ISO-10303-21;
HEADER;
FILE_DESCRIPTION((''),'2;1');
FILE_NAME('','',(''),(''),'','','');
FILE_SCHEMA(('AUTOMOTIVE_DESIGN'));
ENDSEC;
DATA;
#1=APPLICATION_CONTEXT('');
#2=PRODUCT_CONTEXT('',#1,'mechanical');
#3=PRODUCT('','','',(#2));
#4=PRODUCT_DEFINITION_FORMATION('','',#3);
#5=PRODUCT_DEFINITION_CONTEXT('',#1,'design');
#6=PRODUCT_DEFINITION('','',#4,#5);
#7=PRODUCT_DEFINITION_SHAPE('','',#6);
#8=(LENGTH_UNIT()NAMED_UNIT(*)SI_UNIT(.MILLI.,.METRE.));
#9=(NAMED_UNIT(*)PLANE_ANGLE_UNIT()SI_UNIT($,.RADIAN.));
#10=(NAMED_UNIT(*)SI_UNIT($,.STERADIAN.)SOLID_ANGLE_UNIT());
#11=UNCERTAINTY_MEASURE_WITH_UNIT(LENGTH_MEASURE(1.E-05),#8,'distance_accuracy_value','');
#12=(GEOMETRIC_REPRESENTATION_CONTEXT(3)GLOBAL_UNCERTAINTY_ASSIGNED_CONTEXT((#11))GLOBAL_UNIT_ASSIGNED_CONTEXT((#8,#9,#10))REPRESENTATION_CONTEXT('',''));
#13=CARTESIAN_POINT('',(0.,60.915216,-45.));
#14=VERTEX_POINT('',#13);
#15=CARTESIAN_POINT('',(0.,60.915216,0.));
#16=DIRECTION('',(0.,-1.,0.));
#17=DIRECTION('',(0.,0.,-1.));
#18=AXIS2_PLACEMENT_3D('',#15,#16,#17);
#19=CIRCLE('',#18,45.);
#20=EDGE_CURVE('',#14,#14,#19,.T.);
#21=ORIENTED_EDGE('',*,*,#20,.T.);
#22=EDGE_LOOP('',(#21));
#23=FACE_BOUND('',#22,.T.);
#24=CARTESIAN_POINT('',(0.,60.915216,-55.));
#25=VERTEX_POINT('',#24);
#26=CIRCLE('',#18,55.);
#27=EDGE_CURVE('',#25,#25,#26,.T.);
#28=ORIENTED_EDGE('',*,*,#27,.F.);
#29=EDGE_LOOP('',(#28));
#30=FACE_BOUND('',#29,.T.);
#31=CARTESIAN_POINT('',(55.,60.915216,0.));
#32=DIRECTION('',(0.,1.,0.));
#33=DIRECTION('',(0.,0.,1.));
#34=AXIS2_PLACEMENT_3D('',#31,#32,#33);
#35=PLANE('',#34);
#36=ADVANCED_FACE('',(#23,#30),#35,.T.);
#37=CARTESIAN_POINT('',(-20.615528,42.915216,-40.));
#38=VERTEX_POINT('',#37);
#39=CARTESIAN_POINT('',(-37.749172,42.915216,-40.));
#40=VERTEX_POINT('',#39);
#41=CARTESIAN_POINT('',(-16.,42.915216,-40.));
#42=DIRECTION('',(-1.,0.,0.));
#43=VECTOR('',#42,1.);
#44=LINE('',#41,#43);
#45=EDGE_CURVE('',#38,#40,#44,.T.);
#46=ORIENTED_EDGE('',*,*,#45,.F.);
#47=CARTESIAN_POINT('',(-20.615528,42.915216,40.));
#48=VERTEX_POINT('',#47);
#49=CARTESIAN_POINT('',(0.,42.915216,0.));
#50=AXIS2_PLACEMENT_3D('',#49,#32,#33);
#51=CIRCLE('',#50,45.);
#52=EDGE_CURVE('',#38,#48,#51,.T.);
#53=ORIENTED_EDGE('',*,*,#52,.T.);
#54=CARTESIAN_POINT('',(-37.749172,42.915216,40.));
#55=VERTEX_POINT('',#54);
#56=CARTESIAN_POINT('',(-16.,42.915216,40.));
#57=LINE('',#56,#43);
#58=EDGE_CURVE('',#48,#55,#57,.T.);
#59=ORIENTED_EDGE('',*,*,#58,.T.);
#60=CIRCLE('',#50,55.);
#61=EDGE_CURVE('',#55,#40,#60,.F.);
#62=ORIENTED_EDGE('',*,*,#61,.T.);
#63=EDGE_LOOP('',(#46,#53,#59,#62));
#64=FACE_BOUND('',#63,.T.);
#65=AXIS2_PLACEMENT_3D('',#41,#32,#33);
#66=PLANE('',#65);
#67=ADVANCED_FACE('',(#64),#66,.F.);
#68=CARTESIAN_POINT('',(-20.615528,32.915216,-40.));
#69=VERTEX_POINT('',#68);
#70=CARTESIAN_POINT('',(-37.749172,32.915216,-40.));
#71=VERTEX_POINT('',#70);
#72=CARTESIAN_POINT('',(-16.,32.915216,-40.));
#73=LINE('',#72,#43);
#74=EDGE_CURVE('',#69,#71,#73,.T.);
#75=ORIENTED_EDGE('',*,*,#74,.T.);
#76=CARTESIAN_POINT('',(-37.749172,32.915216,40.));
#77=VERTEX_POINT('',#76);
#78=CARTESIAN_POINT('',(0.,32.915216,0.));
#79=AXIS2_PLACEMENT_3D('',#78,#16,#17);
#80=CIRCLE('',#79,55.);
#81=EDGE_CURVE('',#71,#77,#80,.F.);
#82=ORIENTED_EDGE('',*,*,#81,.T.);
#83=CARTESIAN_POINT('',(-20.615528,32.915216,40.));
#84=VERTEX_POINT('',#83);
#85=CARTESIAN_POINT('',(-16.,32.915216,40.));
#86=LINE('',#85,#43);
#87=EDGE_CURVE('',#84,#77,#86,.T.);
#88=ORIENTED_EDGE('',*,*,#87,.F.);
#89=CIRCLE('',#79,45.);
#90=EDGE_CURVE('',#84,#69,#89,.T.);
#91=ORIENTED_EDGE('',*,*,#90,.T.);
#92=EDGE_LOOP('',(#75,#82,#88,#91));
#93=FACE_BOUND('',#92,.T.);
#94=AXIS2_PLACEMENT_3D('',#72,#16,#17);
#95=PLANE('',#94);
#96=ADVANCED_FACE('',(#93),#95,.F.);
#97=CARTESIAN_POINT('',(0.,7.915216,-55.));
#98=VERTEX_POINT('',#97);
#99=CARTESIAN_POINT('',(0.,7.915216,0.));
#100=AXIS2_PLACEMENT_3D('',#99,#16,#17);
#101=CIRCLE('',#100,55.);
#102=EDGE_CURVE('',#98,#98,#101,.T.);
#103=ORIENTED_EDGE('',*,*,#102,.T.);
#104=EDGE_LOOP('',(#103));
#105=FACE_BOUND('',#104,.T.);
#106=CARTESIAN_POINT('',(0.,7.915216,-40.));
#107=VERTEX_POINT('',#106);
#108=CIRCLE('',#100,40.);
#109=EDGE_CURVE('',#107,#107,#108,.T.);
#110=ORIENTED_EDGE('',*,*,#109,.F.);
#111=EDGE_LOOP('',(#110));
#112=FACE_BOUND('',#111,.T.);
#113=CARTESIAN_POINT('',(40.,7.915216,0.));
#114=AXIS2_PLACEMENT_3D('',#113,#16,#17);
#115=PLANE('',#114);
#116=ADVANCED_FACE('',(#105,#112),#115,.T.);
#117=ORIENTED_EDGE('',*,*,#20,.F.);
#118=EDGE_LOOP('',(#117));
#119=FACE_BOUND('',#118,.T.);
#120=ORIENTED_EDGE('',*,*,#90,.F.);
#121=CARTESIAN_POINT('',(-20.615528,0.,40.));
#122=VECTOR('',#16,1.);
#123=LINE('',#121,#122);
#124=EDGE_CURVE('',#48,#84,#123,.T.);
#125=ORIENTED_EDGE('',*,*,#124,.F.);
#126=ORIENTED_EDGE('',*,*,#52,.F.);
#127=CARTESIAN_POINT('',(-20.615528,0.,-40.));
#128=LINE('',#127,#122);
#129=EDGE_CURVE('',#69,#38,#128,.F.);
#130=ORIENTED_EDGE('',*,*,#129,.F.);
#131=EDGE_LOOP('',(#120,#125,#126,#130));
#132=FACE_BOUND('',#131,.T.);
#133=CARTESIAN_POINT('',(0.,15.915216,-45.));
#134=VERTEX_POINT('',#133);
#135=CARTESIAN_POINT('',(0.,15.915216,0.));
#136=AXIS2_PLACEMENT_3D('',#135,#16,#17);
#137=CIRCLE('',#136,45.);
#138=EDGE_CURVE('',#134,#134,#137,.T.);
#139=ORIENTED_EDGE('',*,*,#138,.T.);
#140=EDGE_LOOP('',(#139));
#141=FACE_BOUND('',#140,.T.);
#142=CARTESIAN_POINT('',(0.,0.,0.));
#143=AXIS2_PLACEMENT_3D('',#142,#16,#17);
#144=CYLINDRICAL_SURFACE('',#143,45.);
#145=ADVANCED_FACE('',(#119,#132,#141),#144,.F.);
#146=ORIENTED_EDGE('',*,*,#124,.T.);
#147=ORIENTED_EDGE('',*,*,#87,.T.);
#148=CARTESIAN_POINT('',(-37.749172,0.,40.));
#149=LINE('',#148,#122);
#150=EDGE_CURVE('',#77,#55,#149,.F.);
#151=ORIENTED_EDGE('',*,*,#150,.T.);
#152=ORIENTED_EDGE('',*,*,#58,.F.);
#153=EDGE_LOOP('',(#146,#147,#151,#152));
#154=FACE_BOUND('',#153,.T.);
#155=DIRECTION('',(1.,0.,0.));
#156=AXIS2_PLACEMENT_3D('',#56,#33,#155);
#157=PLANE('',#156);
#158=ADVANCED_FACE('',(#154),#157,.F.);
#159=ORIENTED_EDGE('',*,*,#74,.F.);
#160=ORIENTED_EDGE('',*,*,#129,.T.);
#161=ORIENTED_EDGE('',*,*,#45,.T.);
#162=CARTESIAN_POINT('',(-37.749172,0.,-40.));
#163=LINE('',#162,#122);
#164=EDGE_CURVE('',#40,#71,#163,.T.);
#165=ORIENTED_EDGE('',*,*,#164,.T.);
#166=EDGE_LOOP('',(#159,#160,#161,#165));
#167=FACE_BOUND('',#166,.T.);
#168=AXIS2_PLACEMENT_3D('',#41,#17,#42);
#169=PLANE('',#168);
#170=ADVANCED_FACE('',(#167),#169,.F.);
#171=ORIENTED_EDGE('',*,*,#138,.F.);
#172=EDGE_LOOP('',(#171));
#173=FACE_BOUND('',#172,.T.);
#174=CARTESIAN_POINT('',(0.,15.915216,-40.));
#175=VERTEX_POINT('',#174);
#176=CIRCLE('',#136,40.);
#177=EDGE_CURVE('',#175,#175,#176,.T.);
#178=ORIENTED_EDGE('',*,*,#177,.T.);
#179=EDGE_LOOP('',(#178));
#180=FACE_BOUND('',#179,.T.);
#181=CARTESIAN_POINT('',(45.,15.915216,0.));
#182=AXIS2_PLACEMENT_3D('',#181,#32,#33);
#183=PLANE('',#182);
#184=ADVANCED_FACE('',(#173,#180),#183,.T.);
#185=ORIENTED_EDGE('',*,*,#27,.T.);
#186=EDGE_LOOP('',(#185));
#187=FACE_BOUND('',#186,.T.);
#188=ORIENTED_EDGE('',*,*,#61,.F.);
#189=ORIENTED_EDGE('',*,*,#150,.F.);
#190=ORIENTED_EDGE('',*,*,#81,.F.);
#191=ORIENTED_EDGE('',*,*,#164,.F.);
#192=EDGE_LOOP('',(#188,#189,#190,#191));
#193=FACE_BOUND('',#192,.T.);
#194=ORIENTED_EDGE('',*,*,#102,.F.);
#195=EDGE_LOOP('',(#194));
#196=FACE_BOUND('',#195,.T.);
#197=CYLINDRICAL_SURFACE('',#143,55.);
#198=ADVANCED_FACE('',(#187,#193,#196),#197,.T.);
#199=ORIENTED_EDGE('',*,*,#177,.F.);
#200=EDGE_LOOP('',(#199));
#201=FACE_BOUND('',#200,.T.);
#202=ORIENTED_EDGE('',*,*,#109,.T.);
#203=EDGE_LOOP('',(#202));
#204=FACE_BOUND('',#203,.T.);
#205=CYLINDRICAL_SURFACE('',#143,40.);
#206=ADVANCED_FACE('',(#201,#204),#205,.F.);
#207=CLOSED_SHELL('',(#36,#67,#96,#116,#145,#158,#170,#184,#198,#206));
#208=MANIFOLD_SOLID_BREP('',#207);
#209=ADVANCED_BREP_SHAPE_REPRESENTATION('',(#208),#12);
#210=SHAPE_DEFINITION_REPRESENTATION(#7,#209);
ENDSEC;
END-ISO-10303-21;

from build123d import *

# Parameters (mm, degrees)
SKETCH2_W          = 80
SKETCH2_H          = 10
CUT_EXTRUDE1_DEPTH = 39


with BuildPart() as part:
    # Sketch1 → Revolve1 (revolve)
    with BuildSketch(Plane.XY):
        Polygon((40, 7.915215599), (55, 7.915215599), (55, 60.915215599), (45, 60.915215599), (45, 15.915215599), (40, 15.915215599), align=None)
    revolve(axis=Axis((0, 0, 0), (0, 1, 0)))

    # Sketch2 → Cut-Extrude1 (cut)
    with BuildSketch(Plane.ZY.offset(55)):
        with Locations((0, 37.915215599)):
            Rectangle(SKETCH2_W, SKETCH2_H)
    extrude(amount=-CUT_EXTRUDE1_DEPTH, mode=Mode.SUBTRACT)


solid = part.part
